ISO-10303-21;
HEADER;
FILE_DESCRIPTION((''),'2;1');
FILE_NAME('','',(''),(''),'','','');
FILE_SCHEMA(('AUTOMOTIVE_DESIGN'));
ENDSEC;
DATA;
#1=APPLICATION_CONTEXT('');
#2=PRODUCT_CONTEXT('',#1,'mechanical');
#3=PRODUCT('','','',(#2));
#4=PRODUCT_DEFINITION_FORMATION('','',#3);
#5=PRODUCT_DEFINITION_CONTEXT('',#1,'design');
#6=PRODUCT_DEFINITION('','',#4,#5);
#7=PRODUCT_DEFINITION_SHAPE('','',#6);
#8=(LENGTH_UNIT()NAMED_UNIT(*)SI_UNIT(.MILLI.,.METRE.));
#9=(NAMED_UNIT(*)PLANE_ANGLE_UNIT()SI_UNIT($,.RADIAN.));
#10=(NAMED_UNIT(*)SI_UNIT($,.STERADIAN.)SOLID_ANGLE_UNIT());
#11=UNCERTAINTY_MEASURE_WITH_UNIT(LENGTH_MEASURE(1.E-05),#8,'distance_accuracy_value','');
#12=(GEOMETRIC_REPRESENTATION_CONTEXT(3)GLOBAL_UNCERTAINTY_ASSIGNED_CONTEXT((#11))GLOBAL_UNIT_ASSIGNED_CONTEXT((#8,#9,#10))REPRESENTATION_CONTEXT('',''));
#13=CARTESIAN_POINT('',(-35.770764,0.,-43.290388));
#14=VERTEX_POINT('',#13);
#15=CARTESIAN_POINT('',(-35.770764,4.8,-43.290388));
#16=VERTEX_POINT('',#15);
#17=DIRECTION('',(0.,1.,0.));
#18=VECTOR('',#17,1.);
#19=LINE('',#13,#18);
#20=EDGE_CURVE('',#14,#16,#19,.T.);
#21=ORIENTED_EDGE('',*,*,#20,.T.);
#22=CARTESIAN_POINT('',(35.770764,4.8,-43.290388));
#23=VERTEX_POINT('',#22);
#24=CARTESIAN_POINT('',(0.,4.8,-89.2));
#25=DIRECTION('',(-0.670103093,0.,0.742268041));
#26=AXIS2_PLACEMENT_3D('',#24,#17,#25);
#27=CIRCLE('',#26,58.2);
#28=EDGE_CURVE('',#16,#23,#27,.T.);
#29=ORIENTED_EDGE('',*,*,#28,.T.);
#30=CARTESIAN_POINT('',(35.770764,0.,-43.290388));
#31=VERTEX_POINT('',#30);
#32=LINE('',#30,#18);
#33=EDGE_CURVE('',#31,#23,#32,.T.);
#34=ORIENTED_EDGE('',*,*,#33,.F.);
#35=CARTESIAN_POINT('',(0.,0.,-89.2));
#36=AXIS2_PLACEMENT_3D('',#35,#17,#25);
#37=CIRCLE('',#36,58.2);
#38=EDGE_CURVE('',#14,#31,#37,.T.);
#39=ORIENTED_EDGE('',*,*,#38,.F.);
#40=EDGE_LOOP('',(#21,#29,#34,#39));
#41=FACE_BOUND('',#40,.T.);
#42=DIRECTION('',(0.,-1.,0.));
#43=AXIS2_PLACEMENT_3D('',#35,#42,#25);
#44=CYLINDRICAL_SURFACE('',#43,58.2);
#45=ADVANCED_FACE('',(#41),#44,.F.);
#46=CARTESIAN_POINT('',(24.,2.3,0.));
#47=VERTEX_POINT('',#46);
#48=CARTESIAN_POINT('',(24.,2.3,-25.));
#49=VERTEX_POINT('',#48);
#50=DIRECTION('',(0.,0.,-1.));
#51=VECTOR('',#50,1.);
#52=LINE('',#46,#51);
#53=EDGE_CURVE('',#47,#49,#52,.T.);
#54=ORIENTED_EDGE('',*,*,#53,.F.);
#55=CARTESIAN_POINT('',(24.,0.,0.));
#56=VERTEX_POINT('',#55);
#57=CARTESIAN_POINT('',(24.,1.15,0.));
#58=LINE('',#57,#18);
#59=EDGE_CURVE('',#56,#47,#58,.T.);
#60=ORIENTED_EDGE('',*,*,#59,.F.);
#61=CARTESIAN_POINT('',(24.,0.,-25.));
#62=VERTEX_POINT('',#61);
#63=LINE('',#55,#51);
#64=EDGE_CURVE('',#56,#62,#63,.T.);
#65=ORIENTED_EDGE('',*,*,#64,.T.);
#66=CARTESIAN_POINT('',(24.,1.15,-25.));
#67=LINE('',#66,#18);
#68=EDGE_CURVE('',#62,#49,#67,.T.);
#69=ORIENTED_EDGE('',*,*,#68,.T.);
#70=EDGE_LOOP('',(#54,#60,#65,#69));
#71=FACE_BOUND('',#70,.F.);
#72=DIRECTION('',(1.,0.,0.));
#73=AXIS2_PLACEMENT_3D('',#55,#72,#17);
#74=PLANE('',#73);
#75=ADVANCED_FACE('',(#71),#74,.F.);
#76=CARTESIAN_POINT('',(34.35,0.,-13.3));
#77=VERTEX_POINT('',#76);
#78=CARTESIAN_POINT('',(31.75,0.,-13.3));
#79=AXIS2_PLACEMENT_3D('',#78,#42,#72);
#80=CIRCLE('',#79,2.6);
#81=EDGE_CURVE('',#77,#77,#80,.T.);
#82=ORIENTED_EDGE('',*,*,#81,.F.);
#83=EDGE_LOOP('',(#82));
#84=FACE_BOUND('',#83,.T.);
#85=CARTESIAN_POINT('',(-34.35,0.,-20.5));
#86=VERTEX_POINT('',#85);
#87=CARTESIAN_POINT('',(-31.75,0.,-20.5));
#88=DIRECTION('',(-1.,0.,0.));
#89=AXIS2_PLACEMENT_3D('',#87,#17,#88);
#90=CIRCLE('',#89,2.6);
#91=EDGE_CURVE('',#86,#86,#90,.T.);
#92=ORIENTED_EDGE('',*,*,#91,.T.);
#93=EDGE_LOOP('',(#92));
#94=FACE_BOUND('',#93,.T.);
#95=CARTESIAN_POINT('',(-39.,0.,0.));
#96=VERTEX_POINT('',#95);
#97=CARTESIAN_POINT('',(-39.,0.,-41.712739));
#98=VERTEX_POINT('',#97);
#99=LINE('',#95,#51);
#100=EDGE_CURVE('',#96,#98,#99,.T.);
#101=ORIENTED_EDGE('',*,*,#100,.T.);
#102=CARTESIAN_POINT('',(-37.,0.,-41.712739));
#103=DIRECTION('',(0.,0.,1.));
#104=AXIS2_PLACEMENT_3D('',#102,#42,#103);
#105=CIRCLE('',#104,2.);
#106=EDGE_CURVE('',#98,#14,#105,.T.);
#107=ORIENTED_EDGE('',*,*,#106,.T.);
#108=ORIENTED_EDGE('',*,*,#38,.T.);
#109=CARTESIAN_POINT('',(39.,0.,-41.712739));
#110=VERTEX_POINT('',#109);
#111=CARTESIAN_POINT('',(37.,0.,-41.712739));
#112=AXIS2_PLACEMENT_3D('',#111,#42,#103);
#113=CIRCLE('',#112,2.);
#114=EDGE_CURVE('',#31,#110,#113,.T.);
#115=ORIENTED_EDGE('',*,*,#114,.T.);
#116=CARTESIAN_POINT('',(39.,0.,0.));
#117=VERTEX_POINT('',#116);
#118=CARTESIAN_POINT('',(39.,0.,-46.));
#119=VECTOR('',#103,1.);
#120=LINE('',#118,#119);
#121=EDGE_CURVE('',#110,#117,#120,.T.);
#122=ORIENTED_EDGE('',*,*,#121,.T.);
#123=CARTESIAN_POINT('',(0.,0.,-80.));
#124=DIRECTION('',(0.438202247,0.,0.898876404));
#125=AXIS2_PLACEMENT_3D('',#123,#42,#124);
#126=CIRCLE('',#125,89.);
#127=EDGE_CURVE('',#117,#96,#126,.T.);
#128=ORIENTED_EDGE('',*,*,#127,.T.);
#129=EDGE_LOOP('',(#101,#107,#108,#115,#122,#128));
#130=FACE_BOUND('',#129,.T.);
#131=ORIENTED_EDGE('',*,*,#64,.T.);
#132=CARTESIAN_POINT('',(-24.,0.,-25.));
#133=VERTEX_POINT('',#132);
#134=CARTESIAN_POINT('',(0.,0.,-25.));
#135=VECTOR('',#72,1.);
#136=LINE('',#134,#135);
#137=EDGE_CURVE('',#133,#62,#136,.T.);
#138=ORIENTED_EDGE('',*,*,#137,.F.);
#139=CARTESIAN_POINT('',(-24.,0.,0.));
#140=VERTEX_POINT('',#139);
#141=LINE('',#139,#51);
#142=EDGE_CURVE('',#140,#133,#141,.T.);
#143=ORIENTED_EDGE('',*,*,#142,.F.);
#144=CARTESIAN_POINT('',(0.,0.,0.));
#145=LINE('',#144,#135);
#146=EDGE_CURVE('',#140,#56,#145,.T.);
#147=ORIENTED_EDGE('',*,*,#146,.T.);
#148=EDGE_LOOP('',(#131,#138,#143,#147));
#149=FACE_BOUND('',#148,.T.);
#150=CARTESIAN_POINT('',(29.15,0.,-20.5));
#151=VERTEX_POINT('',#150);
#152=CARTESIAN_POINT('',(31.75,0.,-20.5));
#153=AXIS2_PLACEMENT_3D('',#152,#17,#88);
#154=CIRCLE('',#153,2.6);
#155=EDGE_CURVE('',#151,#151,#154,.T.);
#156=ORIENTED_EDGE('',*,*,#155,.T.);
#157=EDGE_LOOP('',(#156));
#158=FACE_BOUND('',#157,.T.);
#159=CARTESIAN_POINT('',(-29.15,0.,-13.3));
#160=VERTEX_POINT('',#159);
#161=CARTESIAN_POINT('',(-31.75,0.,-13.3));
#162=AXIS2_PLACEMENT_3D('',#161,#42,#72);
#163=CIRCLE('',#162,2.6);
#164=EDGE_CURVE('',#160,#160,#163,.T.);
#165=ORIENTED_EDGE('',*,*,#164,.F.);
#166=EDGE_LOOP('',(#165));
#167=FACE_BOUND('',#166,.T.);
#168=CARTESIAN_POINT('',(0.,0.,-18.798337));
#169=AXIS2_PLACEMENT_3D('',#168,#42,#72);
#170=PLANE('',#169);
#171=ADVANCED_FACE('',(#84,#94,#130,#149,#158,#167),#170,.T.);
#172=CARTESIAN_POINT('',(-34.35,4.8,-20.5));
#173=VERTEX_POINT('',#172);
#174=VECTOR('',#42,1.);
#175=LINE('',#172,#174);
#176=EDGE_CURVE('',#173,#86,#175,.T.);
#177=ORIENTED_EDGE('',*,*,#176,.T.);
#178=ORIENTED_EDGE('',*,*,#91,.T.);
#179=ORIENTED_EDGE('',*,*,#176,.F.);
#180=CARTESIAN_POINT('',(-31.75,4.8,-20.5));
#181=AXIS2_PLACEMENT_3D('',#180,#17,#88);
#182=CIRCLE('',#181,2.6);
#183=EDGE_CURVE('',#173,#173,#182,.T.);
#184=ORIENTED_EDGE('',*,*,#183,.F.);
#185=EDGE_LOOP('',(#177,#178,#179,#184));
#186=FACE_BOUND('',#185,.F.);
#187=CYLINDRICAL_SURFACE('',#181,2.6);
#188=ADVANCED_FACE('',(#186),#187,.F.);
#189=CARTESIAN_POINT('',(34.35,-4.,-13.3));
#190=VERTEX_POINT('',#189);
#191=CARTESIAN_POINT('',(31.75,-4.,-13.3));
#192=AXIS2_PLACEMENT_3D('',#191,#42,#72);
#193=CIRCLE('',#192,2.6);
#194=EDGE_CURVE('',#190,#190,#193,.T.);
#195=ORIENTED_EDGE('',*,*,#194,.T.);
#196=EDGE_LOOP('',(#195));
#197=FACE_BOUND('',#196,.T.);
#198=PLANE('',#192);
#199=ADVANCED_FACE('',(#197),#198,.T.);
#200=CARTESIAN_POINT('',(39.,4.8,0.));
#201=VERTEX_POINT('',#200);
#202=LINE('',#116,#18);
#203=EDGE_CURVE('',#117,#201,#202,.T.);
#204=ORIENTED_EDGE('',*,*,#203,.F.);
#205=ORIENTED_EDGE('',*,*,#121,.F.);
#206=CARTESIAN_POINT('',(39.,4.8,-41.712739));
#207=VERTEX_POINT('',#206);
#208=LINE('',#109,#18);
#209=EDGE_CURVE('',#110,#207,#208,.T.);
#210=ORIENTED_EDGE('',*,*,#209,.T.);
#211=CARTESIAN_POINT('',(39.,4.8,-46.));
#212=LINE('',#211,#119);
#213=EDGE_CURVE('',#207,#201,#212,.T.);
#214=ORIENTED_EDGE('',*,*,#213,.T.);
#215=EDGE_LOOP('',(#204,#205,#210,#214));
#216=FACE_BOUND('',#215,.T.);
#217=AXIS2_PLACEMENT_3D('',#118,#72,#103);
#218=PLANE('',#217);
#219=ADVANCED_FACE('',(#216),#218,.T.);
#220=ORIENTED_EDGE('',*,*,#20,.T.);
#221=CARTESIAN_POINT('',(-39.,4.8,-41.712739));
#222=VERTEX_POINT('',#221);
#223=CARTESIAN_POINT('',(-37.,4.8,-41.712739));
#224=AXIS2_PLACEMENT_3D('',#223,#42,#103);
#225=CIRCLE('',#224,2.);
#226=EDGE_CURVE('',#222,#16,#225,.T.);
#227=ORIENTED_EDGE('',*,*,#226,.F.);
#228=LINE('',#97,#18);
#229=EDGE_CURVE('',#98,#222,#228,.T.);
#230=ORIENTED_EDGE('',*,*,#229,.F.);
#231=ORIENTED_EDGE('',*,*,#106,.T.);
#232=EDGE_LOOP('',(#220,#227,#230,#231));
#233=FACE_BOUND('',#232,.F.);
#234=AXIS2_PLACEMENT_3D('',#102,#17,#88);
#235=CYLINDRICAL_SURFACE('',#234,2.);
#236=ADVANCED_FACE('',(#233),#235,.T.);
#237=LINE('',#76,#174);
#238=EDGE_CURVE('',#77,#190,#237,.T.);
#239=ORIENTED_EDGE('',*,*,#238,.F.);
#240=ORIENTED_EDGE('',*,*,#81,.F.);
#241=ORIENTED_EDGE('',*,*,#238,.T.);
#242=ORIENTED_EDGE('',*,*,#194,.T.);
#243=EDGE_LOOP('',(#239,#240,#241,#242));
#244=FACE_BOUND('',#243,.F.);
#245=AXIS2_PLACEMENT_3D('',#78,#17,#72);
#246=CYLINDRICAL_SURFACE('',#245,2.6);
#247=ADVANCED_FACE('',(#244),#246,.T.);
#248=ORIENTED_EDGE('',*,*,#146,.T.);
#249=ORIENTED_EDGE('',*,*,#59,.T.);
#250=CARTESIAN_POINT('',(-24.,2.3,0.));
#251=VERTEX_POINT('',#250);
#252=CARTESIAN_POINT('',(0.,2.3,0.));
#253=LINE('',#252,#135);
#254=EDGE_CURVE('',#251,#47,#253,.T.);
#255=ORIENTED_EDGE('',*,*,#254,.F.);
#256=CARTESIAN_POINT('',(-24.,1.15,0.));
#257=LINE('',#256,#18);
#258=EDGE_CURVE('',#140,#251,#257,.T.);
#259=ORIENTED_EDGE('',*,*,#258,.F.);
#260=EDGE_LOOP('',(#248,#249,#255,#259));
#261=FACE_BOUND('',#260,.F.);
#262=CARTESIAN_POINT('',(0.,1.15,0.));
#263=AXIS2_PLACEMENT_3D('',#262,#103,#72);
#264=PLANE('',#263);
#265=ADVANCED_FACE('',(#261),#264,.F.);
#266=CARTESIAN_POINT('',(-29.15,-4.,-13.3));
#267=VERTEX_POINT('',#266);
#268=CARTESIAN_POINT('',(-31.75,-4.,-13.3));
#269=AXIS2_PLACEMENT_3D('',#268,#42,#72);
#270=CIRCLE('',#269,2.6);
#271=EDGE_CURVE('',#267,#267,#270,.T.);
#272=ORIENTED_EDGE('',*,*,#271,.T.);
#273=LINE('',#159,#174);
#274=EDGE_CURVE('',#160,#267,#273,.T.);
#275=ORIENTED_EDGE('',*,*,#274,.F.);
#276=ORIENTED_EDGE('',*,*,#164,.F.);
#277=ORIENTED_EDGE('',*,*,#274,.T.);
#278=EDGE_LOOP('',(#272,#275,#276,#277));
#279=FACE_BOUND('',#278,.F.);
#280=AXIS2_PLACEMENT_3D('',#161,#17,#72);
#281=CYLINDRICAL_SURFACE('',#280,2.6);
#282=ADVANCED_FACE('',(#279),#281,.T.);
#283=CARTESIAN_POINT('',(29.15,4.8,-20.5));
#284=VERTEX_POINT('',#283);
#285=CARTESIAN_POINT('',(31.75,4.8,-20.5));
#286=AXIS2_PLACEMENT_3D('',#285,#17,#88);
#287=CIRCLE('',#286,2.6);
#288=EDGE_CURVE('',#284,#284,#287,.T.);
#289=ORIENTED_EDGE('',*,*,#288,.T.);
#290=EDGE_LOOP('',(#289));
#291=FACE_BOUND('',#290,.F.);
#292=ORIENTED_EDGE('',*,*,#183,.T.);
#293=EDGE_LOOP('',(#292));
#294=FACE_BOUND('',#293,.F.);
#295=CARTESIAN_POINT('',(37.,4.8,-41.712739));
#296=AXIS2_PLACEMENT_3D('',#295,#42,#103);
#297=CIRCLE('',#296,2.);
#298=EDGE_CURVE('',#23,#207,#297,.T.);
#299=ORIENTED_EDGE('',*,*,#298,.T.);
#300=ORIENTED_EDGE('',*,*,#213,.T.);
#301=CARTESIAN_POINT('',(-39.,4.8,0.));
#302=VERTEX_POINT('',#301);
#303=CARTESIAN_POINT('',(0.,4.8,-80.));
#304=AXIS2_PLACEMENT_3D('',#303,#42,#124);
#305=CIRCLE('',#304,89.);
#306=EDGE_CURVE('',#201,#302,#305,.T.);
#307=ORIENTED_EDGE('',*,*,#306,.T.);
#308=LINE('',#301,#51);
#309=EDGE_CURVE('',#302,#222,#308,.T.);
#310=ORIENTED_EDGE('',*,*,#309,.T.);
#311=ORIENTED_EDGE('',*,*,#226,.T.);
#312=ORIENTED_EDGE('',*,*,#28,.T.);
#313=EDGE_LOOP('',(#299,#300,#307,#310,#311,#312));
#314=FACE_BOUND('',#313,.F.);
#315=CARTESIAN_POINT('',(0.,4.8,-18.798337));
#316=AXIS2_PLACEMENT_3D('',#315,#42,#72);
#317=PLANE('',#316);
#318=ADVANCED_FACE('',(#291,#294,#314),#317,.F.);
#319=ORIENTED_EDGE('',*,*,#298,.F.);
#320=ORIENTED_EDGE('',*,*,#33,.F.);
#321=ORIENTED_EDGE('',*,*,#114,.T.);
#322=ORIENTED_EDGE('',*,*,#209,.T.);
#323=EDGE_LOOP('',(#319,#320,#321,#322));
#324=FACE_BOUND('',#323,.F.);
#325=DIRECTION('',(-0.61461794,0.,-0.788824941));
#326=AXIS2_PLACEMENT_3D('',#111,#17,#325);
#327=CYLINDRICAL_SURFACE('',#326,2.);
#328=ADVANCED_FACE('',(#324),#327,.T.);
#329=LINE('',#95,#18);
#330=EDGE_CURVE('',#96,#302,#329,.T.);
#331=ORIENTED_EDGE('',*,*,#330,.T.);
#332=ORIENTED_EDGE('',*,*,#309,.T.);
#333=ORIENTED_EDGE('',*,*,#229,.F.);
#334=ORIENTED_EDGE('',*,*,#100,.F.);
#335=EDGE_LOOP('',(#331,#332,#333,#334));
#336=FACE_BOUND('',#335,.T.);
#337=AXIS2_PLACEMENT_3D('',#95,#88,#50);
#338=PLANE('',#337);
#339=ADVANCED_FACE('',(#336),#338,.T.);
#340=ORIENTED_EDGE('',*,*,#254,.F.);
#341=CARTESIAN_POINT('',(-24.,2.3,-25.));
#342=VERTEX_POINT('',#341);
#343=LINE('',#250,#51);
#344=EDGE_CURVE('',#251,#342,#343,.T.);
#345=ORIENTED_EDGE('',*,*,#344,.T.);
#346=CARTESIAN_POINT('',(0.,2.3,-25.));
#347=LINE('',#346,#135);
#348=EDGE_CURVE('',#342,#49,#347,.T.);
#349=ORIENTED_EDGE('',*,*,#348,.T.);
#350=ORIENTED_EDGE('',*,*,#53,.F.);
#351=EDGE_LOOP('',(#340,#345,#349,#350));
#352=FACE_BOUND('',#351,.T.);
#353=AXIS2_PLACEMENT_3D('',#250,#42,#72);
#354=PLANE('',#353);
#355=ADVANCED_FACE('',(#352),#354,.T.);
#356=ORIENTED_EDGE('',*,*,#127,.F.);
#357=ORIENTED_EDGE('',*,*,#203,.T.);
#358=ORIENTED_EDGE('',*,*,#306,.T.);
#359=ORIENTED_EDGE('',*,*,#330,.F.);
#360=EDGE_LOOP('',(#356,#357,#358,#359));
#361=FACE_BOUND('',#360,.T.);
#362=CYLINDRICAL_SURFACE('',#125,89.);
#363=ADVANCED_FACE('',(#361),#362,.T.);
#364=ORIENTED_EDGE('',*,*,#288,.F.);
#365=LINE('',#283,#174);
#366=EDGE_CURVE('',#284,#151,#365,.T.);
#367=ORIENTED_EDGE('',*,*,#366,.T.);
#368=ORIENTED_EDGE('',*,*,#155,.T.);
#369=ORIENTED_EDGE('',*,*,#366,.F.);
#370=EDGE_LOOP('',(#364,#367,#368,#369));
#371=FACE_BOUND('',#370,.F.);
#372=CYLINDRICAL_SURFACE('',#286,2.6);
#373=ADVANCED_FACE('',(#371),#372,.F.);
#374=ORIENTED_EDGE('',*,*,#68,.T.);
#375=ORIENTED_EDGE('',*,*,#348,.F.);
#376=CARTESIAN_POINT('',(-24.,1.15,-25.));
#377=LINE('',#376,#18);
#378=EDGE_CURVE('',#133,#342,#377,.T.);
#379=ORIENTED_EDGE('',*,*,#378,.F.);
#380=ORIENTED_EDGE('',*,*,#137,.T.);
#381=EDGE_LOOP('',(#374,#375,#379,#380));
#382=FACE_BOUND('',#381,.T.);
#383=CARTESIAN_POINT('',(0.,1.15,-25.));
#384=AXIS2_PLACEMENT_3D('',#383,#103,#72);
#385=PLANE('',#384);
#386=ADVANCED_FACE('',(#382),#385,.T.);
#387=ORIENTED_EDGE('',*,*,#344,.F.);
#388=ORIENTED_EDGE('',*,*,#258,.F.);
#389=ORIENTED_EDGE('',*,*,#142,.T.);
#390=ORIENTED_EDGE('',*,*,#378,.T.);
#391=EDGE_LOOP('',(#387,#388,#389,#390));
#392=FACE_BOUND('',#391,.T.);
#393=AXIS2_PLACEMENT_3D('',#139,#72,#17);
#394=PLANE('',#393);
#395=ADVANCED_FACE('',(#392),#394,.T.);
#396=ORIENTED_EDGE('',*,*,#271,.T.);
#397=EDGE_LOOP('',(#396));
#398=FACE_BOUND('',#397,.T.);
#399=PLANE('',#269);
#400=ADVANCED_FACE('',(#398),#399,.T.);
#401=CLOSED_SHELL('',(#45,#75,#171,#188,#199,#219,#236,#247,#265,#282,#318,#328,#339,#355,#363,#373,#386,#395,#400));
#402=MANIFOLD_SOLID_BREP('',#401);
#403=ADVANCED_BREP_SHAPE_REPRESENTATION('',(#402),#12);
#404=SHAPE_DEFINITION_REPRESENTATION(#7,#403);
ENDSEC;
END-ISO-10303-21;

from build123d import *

# Parameters (mm, degrees)
F1_DEPTH = 4.8
F2_R     = 2.6
F3_DEPTH = 4
F4_R     = 2.6
F5_DEPTH = 4.8
F6_R     = 2
F7_W     = 48
F7_H     = 2.3
F8_DEPTH = 25


with BuildPart() as f1:
    # F0 (on Front) → F1 (new body)
    with BuildSketch(Plane.XZ):
        with BuildLine():
            Line((-39, 0), (-39, -46))
            ThreePointArc((-39, -46), (0, -31), (39, -46))
            Line((39, -46), (39, 0))
            ThreePointArc((39, 0), (0, 9), (-39, 0))
        make_face()
    extrude(amount=-F1_DEPTH)

    # F2 (on face) → F3 (join)
    with BuildSketch(Plane.XZ):
        with Locations((-31.75, -13.3)):
            Circle(F2_R)
        with Locations((31.75, -13.3)):
            Circle(F2_R)
    extrude(amount=F3_DEPTH)

    # F4 (on face) → F5 (cut, through all)
    with BuildSketch(Plane(origin=(0, 4.8, 0), x_dir=(-1, 0, 0), z_dir=(0, 1, 0))):
        with Locations((-31.75, -20.5)):
            Circle(F4_R)
        with Locations((31.75, -20.5)):
            Circle(F4_R)
    extrude(amount=-F5_DEPTH, mode=Mode.SUBTRACT)

    # F6
    f6_edges = [f1.edges().sort_by_distance(p)[0] for p in [
        (-39, 2.4, -46),
        (39, 2.4, -46),
    ]]
    fillet(f6_edges, radius=F6_R)

    # F7 (on Top) → F8 (cut)
    with BuildSketch(Plane.XY):
        with Locations((0, 1.15)):
            Rectangle(F7_W, F7_H)
    extrude(amount=-F8_DEPTH, mode=Mode.SUBTRACT)


solid = f1.part
